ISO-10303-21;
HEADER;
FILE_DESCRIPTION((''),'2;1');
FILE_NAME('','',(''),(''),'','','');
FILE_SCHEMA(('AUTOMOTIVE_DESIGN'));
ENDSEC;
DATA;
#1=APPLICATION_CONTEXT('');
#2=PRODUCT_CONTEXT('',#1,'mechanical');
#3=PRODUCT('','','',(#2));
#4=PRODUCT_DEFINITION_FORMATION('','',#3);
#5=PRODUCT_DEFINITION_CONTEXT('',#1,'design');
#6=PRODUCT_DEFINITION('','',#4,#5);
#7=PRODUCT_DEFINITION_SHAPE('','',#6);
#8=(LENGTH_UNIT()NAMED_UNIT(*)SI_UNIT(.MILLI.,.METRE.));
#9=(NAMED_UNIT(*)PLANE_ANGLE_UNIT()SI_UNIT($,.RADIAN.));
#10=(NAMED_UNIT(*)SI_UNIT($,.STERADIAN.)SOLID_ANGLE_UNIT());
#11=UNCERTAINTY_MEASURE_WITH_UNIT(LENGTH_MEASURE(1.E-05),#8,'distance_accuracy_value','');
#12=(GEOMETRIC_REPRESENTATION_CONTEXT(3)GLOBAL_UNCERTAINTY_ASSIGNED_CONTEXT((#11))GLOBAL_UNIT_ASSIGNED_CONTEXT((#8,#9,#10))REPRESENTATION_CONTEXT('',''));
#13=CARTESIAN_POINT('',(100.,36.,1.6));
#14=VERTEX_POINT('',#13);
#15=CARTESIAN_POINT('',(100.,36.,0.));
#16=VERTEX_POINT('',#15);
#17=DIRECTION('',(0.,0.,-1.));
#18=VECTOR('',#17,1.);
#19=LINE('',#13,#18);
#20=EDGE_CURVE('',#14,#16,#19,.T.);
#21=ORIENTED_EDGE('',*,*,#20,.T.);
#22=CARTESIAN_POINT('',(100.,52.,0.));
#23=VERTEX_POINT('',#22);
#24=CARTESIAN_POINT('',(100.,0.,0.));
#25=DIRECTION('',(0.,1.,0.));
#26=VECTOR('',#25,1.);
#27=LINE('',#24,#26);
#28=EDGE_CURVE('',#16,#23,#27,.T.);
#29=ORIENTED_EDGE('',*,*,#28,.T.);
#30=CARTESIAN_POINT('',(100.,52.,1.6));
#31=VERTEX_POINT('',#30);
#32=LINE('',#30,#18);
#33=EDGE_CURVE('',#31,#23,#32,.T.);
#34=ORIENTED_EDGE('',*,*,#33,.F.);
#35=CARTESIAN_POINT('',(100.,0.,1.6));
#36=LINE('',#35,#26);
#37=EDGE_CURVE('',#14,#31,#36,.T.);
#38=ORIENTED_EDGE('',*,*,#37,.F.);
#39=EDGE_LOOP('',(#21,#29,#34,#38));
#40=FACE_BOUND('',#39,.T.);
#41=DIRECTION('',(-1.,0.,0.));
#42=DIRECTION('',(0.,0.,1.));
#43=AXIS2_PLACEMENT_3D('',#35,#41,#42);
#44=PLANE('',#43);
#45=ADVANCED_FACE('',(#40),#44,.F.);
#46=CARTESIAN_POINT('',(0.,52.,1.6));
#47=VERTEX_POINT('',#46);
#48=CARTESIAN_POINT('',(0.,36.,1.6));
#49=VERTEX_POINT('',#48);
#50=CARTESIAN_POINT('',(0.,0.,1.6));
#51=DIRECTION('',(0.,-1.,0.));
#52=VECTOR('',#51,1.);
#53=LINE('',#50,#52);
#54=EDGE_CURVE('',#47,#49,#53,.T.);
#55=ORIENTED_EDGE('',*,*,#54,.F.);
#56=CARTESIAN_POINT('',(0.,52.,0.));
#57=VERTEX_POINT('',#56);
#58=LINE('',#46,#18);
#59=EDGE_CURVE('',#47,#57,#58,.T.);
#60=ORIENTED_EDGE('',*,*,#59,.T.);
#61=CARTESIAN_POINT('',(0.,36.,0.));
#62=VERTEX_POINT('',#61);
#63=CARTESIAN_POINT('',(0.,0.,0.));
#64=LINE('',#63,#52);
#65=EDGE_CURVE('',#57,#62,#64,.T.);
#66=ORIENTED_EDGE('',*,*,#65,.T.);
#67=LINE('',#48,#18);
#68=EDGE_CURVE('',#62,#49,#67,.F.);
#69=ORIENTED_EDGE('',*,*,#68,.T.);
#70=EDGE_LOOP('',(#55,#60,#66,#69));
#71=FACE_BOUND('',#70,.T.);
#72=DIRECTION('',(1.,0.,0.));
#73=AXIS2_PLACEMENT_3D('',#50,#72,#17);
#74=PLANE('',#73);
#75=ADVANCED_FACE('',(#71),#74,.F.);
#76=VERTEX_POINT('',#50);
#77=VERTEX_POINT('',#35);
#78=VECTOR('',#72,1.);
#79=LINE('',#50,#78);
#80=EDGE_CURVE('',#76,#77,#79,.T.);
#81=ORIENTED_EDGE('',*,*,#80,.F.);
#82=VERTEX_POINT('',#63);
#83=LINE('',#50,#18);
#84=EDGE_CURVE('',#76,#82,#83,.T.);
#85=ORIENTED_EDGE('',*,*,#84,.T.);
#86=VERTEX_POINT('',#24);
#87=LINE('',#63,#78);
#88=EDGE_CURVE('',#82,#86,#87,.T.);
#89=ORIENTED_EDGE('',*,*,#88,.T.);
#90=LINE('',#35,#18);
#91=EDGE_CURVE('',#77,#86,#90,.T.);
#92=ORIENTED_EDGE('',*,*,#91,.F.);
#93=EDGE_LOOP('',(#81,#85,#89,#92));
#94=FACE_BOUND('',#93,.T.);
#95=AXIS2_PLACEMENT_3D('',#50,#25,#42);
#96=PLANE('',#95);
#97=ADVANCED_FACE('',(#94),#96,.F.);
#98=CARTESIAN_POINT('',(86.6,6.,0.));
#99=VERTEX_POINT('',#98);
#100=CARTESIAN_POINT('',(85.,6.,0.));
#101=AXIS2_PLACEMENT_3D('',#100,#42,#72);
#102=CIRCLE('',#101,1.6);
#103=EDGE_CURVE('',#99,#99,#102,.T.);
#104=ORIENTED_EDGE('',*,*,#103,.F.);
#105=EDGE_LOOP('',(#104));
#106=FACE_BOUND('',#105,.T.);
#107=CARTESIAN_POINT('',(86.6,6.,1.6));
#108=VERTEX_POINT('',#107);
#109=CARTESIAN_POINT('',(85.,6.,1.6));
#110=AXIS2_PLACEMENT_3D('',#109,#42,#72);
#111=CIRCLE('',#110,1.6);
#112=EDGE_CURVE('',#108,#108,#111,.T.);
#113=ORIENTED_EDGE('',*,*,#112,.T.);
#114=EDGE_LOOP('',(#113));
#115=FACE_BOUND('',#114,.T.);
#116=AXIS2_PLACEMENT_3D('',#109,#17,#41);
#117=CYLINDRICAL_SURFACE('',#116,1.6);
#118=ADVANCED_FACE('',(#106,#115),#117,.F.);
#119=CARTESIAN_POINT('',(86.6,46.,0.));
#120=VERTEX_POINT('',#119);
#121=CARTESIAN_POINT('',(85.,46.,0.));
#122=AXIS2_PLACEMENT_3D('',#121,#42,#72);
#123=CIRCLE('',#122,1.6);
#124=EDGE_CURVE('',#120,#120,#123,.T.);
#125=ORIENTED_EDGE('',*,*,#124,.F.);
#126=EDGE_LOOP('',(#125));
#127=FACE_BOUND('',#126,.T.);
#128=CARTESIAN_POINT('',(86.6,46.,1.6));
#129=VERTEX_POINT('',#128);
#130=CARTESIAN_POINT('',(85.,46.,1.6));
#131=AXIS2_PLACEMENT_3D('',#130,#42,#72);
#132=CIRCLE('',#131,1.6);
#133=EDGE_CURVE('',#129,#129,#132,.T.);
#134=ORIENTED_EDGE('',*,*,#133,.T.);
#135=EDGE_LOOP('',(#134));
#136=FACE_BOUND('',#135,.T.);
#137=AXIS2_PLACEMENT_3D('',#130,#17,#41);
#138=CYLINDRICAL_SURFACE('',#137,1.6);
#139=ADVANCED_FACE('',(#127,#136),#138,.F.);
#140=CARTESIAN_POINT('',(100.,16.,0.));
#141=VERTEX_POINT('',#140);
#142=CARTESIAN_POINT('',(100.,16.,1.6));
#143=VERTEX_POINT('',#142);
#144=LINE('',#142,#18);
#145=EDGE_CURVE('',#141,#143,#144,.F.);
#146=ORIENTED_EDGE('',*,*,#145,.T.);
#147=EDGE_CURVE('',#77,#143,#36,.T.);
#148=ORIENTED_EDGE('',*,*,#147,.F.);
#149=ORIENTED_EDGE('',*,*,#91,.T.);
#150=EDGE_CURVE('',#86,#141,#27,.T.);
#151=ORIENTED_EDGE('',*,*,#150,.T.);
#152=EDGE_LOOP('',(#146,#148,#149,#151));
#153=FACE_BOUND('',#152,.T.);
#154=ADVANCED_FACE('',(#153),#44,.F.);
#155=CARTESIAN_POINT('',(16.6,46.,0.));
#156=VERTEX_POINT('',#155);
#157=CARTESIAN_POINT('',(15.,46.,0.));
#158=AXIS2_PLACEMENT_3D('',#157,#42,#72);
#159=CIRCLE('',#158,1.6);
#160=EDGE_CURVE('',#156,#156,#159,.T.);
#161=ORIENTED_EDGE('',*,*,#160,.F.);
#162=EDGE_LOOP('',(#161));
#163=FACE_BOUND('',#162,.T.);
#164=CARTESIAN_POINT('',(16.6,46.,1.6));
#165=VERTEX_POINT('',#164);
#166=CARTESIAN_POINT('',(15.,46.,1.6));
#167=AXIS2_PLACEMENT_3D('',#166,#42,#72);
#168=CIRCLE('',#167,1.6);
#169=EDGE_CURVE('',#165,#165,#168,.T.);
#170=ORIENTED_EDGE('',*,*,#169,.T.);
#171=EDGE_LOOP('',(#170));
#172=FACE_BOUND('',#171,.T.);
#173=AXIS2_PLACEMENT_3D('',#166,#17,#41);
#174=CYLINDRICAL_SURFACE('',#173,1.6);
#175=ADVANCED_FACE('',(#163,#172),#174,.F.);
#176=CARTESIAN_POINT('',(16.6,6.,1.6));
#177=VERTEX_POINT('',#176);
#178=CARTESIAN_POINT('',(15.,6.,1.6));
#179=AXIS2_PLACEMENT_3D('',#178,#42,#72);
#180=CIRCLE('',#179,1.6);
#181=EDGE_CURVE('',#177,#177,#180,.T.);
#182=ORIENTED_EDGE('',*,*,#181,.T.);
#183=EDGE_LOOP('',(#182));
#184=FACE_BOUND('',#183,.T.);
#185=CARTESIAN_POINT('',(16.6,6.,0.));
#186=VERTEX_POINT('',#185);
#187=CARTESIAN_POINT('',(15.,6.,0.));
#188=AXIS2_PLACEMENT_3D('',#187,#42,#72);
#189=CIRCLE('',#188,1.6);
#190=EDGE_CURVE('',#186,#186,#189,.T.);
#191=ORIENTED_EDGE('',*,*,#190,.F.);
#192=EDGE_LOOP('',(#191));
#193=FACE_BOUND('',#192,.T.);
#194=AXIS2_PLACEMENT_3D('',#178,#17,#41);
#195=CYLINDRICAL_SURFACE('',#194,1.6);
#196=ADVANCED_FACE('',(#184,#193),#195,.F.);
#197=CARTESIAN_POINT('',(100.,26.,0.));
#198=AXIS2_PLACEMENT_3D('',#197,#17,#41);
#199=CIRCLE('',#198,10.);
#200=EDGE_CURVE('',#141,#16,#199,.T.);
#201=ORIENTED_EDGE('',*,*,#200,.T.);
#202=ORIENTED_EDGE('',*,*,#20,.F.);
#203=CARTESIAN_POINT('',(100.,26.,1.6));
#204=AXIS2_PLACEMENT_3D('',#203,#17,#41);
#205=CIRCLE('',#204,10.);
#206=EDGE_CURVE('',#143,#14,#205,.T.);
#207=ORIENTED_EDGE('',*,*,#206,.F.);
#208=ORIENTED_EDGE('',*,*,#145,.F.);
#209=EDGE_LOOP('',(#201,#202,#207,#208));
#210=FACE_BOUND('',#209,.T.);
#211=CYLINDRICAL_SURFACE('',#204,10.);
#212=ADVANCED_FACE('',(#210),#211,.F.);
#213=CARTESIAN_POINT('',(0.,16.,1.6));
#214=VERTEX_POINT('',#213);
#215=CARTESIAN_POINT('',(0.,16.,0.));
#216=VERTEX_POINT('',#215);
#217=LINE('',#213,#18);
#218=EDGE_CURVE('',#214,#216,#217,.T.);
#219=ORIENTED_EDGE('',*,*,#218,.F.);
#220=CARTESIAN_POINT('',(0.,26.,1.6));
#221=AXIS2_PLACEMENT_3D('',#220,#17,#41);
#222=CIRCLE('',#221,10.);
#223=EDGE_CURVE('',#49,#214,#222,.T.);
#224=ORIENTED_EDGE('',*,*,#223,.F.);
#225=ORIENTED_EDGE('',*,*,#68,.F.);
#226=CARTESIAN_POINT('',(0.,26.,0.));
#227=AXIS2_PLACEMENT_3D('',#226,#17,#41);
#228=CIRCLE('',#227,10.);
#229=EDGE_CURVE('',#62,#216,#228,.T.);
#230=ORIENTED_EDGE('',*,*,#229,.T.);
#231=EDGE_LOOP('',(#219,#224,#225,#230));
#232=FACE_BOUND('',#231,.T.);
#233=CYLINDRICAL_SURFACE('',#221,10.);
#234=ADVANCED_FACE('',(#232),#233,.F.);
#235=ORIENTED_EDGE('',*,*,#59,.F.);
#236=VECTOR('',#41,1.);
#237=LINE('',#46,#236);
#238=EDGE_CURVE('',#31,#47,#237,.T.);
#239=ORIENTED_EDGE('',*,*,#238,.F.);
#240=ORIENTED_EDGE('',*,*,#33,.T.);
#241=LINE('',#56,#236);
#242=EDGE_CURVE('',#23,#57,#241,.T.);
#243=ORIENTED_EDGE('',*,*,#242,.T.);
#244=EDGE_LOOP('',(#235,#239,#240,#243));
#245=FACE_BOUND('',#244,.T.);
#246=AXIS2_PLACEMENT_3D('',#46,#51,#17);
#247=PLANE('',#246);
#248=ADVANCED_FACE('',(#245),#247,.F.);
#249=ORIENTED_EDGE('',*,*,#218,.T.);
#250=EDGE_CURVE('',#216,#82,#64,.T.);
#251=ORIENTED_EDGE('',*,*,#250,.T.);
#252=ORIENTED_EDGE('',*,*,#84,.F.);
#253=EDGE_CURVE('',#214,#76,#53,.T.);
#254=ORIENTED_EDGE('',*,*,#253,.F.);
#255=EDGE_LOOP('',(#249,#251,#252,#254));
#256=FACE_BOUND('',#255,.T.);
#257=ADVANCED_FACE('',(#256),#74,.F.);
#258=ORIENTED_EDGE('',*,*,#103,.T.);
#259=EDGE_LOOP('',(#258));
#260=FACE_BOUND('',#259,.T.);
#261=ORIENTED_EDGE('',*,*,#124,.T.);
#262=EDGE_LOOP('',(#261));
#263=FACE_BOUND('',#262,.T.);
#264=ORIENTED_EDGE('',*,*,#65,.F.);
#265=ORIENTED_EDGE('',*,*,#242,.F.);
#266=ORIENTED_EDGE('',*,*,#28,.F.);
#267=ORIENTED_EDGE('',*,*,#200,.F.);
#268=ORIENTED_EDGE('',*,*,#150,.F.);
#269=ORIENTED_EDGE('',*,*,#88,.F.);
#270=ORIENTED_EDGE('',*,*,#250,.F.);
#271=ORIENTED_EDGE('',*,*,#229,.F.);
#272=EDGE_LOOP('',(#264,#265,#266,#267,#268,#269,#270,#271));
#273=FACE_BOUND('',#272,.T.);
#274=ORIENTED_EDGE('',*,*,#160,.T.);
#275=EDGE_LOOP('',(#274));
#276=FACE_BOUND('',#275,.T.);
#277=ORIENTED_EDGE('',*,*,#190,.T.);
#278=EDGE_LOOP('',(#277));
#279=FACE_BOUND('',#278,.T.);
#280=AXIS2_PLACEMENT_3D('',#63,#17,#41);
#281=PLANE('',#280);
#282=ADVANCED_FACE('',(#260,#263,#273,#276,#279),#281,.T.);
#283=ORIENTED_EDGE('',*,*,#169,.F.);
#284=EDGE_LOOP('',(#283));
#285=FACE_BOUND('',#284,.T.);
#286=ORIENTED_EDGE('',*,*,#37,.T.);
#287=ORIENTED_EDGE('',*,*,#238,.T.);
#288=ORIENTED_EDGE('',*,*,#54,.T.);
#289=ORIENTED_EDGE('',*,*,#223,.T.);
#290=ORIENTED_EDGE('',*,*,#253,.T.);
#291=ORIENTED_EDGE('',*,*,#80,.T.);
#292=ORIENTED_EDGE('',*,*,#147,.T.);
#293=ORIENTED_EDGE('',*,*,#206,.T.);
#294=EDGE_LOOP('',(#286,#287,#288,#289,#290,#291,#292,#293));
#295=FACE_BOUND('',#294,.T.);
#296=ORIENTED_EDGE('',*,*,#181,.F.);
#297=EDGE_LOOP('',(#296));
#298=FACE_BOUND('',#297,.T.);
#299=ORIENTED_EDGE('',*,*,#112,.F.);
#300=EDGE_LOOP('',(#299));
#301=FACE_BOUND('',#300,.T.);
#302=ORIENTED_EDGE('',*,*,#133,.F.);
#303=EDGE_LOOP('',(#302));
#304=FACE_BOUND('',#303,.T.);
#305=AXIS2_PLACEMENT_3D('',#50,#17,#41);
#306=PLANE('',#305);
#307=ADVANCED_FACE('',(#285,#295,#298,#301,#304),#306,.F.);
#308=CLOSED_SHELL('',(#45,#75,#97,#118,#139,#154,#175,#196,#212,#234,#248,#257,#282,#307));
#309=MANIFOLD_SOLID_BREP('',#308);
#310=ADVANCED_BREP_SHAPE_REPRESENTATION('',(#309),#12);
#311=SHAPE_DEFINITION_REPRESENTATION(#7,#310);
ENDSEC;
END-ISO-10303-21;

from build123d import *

# Parameters (mm, degrees)
ESQUISSE1_W             = 100
ESQUISSE1_H             = 52
ESQUISSE1_R             = 1.6
BOSS_EXTRU_1_DEPTH      = 1.6
ESQUISSE2_R             = 10
ENL_V_MAT_EXTRU_1_DEPTH = 113.723378232


with BuildPart() as part:
    # Esquisse1 → Boss.-Extru.1 (new body)
    with BuildSketch(Plane.XY):
        with Locations((50, 26)):
            Rectangle(ESQUISSE1_W, ESQUISSE1_H)
        with Locations((15, 46)):
            Circle(ESQUISSE1_R, mode=Mode.SUBTRACT)
        with Locations((85, 46)):
            Circle(ESQUISSE1_R, mode=Mode.SUBTRACT)
        with Locations((15, 6)):
            Circle(ESQUISSE1_R, mode=Mode.SUBTRACT)
        with Locations((85, 6)):
            Circle(ESQUISSE1_R, mode=Mode.SUBTRACT)
    extrude(amount=BOSS_EXTRU_1_DEPTH)

    # Esquisse2 → Enlèv. mat.-Extru.1 (cut, through all)
    with BuildSketch(Plane(origin=(0, 0, 0), x_dir=(-1, 0, 0), z_dir=(0, 0, -1))):
        with Locations((-100, 26)):
            Circle(ESQUISSE2_R)
        with Locations((0, 26)):
            Circle(ESQUISSE2_R)
    extrude(amount=-ENL_V_MAT_EXTRU_1_DEPTH, mode=Mode.SUBTRACT)


solid = part.part
